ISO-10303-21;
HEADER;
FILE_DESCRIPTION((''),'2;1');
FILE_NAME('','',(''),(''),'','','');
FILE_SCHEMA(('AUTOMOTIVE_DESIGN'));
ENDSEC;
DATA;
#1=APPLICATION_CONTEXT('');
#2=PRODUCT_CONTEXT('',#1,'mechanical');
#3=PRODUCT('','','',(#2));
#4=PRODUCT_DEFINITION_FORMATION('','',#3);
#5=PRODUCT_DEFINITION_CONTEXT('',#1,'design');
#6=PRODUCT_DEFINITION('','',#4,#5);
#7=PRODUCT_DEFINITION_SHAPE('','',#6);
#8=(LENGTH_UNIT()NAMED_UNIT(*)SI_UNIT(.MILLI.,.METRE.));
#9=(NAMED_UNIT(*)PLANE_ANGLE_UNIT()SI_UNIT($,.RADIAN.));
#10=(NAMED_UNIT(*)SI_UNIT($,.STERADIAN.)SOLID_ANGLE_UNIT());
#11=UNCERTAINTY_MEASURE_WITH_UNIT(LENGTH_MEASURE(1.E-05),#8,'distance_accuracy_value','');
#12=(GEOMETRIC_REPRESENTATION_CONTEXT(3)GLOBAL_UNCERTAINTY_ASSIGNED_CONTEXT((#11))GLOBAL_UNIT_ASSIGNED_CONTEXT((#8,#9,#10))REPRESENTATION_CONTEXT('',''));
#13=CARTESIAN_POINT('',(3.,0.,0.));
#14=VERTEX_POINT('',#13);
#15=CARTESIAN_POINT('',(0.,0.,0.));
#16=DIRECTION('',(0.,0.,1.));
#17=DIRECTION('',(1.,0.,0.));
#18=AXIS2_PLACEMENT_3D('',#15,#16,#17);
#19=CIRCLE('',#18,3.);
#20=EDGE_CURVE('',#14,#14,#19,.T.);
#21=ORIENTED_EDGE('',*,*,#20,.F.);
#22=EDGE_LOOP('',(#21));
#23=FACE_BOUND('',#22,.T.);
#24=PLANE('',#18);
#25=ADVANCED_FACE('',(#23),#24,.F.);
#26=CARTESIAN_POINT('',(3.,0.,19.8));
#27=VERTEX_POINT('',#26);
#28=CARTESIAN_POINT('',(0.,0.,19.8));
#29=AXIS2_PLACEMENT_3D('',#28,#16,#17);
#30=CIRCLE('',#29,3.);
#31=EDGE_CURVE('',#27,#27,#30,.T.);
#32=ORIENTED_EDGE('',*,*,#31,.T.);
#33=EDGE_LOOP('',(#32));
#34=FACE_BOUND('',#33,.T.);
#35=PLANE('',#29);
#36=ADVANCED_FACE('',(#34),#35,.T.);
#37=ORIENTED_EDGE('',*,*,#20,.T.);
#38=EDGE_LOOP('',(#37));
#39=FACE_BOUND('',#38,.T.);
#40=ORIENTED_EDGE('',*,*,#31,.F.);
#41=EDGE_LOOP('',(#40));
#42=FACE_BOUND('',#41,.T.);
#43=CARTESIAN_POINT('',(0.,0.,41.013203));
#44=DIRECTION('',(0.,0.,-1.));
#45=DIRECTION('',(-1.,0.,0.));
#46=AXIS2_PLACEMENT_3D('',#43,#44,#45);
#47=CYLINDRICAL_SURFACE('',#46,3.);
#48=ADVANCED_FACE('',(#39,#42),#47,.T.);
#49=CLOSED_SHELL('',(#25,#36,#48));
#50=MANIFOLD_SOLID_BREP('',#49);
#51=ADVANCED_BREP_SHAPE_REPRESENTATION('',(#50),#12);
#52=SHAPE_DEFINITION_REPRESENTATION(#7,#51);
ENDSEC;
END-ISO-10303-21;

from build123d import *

# Parameters (mm, degrees)
SKETCH1_R           = 7.5
SKETCH1_R_2         = 3
BOSS_EXTRUDE1_DEPTH = 19.8
CUT_EXTRUDE1_START  = 3.9
SKETCH1_6_R         = 7.5
SKETCH1_6_R_2       = 3
CUT_EXTRUDE1_DEPTH  = 12
SKETCH1_7_R         = 7.5
SKETCH1_7_R_2       = 3
CUT_EXTRUDE5_DEPTH  = 20.8


with BuildPart() as part:
    # Sketch1 → Boss-Extrude1 (new body)
    with BuildSketch(Plane.XY):
        Circle(SKETCH1_R)
        Circle(SKETCH1_R_2, mode=Mode.SUBTRACT)
        Circle(SKETCH1_R_2)
    extrude(amount=BOSS_EXTRUDE1_DEPTH)

    # Sketch1_6 → Cut-Extrude1 (cut)
    with BuildSketch(Plane.XY.offset(CUT_EXTRUDE1_START)):
        Circle(SKETCH1_6_R)
        Circle(SKETCH1_6_R_2, mode=Mode.SUBTRACT)
    extrude(amount=CUT_EXTRUDE1_DEPTH, mode=Mode.SUBTRACT)

    # Sketch1_7 → Cut-Extrude5 (cut, through all)
    with BuildSketch(Plane.XY):
        Circle(SKETCH1_7_R)
        Circle(SKETCH1_7_R_2, mode=Mode.SUBTRACT)
    extrude(amount=CUT_EXTRUDE5_DEPTH, mode=Mode.SUBTRACT)


solid = part.part
